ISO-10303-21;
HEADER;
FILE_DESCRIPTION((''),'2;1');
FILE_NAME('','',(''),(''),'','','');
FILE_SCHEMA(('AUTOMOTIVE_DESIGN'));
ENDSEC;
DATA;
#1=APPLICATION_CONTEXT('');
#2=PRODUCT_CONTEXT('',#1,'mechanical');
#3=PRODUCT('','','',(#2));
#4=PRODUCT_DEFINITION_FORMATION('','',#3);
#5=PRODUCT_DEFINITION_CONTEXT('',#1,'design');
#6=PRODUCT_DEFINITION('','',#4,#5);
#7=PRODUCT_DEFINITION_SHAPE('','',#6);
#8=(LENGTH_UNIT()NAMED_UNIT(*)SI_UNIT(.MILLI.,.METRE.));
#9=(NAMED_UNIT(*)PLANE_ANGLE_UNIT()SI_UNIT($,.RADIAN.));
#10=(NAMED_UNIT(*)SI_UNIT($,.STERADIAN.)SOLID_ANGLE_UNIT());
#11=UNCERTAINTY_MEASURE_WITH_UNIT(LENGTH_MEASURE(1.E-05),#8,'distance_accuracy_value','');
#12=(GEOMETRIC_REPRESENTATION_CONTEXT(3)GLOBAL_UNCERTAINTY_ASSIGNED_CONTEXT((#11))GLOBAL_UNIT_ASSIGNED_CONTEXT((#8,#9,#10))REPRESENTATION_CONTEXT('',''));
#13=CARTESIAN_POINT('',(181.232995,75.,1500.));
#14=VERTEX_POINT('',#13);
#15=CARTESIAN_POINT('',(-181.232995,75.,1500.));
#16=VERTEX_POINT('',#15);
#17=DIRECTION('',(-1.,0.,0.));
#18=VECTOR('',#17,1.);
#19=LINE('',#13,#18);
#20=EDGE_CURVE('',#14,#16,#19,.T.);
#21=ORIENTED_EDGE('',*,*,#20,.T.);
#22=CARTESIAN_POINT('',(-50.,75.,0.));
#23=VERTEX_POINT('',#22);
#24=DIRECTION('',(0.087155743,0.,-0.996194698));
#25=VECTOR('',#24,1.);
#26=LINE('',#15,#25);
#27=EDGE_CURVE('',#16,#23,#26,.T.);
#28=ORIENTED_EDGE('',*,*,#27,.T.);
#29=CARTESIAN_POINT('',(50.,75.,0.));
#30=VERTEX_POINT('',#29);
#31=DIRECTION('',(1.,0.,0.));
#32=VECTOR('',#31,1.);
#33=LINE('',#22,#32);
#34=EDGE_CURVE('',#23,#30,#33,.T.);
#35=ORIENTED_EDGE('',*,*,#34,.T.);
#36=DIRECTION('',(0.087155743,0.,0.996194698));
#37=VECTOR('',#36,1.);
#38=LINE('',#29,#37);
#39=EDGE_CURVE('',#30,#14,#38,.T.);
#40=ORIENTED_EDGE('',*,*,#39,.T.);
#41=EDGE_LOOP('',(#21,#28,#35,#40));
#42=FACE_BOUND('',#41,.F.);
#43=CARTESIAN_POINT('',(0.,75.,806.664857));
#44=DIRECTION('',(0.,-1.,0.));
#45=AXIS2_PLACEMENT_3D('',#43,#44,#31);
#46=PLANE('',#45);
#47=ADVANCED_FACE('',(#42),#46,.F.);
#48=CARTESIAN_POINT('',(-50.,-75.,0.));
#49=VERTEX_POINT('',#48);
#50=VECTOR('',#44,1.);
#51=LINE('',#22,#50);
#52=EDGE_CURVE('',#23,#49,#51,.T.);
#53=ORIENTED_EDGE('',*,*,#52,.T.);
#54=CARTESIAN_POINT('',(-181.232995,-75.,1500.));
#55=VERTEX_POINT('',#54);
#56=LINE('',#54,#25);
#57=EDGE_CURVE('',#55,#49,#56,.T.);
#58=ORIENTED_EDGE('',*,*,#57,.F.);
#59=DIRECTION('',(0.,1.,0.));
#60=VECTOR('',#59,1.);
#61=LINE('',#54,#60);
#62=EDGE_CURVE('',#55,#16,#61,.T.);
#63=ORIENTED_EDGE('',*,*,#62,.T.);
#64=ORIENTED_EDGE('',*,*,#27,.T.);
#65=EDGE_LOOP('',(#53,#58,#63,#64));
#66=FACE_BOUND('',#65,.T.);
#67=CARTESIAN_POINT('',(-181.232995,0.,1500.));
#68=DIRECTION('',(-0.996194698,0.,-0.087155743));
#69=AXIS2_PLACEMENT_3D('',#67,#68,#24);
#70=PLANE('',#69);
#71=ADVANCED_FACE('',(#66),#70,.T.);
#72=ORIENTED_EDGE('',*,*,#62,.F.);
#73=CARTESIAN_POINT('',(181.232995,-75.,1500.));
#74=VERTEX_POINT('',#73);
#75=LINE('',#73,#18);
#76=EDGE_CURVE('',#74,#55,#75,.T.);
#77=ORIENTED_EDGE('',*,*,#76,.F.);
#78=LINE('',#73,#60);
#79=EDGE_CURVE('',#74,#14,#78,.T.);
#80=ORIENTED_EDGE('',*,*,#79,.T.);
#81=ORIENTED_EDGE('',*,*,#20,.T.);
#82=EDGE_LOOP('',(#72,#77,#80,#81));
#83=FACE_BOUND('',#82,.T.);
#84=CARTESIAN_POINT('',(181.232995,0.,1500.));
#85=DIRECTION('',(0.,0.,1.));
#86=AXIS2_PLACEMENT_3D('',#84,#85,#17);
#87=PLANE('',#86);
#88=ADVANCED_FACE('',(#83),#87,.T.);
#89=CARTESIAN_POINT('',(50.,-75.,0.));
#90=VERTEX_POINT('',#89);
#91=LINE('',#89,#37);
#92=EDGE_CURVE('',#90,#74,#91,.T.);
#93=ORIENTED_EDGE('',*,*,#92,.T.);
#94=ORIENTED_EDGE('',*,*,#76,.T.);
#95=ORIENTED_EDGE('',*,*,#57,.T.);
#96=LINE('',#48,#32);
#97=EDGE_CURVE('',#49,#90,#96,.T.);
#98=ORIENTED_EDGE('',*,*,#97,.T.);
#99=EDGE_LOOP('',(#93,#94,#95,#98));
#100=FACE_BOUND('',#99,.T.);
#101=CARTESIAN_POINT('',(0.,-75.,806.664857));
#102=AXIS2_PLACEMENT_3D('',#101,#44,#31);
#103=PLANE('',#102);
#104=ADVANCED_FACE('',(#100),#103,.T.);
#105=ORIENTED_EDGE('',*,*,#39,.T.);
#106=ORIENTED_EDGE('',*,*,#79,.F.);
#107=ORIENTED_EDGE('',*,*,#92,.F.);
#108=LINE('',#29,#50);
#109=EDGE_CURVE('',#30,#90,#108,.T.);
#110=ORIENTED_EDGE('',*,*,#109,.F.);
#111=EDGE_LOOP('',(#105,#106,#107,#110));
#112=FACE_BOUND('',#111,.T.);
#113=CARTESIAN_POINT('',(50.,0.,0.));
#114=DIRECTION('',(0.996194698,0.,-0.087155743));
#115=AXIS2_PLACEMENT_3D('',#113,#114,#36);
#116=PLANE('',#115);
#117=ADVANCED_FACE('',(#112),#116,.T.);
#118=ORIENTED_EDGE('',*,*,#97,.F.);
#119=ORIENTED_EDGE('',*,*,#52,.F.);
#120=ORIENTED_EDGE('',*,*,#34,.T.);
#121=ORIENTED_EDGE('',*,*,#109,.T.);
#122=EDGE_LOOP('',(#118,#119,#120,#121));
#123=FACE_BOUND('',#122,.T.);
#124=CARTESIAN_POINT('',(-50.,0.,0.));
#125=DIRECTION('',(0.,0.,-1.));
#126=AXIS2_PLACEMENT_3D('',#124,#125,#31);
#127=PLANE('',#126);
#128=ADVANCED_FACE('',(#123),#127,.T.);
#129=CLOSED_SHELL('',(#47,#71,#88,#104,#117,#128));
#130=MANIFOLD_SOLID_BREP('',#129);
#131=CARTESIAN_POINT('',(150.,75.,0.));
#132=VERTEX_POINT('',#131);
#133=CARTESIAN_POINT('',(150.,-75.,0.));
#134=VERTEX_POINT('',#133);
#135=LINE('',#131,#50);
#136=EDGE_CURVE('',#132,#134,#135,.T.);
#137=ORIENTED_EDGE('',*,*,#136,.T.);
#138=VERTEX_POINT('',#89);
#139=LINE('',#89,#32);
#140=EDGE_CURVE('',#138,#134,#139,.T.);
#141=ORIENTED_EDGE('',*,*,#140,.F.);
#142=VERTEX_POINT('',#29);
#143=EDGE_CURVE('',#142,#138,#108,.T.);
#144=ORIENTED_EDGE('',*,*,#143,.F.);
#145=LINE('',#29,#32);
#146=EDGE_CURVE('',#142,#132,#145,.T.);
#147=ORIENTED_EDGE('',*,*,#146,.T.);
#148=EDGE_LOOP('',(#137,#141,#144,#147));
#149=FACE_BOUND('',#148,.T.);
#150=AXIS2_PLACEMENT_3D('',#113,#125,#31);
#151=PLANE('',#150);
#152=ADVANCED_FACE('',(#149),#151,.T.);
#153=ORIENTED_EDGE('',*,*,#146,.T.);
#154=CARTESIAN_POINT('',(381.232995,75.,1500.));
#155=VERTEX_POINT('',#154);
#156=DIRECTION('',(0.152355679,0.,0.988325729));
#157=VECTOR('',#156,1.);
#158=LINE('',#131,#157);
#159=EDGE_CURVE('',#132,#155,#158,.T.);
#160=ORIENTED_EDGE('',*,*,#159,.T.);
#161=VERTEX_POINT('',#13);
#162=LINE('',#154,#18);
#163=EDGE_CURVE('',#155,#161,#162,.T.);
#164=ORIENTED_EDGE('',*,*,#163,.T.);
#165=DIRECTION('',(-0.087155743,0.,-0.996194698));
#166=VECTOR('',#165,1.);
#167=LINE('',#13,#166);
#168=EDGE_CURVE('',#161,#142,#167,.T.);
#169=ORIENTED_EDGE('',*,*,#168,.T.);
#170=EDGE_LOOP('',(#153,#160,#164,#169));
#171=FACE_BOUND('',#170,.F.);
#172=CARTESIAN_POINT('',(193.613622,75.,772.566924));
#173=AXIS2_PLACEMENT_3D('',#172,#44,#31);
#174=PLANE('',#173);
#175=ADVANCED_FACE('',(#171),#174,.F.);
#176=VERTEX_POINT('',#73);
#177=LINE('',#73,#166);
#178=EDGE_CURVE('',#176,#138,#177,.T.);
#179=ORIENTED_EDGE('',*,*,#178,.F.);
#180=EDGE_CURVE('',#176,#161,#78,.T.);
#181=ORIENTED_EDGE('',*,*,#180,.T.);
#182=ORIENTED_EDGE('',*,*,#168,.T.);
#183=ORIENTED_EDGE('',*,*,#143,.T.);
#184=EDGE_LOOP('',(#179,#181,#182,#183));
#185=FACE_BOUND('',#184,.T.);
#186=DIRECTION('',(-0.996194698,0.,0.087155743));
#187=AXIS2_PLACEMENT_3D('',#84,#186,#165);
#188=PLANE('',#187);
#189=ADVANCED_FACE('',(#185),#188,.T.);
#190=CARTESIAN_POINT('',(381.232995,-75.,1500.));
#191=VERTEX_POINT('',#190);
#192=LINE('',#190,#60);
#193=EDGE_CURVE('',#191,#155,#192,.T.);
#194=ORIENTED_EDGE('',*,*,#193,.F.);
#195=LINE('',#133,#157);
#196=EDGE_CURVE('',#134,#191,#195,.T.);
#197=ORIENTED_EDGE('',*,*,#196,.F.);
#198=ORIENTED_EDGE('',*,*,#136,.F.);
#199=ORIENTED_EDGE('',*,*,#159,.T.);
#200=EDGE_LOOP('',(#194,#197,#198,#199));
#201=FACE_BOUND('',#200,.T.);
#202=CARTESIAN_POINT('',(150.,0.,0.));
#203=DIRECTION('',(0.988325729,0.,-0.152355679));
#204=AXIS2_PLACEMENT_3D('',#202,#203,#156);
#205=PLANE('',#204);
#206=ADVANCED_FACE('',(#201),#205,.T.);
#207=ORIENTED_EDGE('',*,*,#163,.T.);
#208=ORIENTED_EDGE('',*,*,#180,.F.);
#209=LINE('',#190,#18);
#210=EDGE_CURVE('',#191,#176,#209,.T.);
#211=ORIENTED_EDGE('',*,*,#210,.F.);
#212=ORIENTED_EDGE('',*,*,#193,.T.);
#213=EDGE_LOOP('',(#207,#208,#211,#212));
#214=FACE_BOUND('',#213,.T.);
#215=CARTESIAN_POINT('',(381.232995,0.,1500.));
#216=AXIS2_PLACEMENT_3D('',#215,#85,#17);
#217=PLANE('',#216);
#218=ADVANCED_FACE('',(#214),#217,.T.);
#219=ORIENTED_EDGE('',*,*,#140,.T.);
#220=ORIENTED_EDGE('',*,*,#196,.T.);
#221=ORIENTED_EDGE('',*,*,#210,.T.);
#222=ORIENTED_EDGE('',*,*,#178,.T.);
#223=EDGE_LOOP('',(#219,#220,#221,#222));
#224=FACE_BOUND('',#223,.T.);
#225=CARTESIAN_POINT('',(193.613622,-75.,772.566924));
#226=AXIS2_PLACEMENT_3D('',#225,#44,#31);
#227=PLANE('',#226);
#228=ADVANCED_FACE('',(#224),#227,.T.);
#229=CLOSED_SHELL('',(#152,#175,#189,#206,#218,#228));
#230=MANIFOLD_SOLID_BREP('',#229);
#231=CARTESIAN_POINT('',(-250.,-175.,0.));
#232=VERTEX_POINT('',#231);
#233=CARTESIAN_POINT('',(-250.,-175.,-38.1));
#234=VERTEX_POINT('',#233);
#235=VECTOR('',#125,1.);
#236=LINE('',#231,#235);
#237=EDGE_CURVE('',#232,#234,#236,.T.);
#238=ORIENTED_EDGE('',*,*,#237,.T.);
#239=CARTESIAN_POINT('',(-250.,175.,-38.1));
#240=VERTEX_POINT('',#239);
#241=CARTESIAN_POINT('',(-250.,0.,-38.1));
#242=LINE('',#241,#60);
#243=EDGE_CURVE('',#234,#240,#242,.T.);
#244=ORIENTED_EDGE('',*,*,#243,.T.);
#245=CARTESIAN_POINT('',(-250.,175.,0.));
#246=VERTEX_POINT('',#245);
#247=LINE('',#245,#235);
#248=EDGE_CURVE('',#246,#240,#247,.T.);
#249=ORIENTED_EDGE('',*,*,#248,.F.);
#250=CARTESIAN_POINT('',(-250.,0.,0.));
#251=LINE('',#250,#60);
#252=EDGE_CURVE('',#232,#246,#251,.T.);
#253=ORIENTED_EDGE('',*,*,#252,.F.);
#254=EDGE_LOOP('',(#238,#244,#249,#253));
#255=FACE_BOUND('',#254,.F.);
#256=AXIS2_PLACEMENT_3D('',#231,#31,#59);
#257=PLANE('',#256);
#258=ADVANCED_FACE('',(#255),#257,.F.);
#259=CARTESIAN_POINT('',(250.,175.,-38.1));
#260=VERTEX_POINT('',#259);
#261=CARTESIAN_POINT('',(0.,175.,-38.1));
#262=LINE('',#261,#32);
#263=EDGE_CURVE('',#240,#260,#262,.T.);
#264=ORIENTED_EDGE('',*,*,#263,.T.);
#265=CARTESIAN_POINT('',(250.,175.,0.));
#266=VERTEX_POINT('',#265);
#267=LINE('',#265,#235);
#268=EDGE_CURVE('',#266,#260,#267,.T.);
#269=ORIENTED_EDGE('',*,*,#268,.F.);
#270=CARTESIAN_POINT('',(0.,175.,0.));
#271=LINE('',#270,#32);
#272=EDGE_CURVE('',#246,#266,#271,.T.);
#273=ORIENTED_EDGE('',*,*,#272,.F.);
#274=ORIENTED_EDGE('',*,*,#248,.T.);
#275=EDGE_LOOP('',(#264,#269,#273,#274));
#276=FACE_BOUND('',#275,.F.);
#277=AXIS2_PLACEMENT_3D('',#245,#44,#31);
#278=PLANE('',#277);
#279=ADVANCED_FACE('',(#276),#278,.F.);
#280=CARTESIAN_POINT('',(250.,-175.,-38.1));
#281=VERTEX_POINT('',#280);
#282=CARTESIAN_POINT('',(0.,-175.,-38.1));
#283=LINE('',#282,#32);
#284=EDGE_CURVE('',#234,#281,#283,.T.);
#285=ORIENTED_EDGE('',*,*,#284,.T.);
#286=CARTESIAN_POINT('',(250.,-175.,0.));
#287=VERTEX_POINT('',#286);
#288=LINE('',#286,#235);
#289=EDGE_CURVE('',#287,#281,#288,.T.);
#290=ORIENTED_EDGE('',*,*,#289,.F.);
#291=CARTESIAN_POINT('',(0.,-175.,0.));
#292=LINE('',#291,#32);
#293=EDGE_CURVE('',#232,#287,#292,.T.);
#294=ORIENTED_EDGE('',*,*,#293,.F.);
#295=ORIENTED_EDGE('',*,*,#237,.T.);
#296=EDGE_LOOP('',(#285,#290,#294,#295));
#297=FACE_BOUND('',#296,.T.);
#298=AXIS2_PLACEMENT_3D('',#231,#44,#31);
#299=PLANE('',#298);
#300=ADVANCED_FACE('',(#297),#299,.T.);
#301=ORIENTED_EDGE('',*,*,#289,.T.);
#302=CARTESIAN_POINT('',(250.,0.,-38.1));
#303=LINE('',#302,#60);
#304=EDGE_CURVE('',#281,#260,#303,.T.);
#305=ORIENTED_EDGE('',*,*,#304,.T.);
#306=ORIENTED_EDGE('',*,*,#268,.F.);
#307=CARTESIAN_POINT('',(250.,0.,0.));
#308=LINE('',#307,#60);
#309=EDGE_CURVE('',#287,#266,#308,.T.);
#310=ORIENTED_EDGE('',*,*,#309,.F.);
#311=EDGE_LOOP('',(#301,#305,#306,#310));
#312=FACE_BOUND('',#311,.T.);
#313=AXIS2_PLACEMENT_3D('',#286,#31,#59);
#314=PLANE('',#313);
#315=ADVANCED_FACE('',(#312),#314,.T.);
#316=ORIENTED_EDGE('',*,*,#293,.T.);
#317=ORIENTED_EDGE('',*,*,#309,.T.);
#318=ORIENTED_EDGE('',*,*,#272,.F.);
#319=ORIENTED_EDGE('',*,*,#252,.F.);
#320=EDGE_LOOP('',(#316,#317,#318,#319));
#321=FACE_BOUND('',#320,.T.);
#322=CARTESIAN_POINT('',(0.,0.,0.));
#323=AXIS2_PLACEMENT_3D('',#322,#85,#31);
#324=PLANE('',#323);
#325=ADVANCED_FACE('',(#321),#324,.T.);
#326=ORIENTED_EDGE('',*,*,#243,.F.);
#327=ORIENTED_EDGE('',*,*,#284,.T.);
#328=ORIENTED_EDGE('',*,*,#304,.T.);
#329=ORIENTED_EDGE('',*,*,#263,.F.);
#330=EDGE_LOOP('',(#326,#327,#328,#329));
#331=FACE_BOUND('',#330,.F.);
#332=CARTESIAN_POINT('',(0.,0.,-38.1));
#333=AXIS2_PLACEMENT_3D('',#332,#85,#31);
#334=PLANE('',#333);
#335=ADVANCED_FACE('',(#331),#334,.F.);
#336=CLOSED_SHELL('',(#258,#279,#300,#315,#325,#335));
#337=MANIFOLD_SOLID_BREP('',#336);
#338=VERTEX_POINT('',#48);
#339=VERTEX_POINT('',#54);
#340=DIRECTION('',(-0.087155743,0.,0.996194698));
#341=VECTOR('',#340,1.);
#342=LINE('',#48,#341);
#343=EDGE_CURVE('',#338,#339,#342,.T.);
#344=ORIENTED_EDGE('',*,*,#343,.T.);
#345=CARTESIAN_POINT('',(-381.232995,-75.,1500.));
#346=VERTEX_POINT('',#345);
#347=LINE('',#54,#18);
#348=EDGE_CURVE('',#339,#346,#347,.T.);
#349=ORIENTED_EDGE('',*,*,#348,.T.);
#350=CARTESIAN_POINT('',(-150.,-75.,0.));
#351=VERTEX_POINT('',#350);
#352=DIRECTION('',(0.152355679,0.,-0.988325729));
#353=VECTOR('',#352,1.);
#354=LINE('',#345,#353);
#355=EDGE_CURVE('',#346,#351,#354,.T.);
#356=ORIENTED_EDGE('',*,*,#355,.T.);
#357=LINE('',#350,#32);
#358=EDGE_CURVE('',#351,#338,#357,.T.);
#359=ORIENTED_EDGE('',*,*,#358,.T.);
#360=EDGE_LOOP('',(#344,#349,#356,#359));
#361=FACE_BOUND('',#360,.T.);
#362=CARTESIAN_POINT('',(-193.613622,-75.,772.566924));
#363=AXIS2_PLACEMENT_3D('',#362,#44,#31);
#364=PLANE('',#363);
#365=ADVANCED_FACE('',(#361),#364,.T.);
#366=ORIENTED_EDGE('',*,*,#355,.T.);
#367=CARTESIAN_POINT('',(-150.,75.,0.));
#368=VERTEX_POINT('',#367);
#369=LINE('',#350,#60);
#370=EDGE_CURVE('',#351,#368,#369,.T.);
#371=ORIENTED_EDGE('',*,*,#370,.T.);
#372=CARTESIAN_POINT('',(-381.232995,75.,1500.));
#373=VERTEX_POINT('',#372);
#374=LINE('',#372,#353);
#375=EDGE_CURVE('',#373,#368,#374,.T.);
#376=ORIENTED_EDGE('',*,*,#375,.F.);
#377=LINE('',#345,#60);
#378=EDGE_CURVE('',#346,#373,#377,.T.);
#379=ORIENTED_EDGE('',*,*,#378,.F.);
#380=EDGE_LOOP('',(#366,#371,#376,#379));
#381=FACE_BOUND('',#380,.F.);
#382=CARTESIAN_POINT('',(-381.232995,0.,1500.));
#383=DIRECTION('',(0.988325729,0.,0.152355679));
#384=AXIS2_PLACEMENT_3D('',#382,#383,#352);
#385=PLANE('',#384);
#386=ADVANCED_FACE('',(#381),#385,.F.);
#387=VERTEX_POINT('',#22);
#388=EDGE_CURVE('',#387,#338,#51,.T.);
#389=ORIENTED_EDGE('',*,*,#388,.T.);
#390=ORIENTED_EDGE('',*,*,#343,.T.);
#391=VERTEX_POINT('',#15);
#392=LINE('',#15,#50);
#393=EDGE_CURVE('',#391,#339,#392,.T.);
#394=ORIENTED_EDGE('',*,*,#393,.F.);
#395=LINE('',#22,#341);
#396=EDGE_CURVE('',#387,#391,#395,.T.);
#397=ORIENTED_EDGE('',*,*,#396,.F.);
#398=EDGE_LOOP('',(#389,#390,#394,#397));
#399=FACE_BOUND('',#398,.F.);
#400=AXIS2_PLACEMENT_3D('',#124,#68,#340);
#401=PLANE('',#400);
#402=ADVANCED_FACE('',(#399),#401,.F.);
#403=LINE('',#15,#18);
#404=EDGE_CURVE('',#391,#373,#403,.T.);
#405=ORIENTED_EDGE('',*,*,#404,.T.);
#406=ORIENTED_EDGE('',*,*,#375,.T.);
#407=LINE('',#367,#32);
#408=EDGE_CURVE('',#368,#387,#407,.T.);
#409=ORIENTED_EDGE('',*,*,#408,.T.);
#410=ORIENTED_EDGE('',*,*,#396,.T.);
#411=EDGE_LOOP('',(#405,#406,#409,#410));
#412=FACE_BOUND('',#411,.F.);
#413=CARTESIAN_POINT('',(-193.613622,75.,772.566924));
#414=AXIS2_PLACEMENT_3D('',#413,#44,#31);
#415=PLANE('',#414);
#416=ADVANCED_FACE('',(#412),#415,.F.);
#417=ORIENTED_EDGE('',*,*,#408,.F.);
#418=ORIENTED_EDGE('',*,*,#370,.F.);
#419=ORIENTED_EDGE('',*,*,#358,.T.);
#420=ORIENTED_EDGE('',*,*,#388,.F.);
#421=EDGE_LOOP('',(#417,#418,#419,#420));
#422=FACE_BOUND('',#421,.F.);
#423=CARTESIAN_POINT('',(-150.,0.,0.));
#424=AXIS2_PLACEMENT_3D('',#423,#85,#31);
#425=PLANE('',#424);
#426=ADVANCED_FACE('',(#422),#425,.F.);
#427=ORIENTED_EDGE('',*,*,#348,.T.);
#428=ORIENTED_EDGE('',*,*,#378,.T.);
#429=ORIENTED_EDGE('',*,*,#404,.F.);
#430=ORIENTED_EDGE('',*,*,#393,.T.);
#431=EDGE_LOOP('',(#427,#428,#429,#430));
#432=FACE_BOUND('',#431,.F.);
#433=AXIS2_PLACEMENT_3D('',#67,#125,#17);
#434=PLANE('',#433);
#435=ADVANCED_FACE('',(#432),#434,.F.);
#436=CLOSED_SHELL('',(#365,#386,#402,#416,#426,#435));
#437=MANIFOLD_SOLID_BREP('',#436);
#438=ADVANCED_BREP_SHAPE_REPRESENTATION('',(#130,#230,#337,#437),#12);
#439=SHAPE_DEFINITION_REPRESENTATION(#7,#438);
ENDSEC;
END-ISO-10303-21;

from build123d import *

# Parameters (mm, degrees)
F1_DEPTH = 75
F2_DEPTH = 75
F3_W     = 500
F3_H     = 350
F4_DEPTH = 38.1


with BuildPart() as f1:
    # F0 (on Front) → F1 (new body, symmetric)
    with BuildSketch(Plane.XZ):
        Polygon((-150, 0), (-50, 0), (-181.232995, 1500), (-381.232995, 1500), align=None)
        Polygon((181.232995, 1500), (50, 0), (150, 0), (381.232995, 1500), align=None)
    extrude(amount=F1_DEPTH, both=True)


with BuildPart() as f2:
    # F0 (on Front) → F2 (new body, symmetric)
    with BuildSketch(Plane.XZ):
        Polygon((-181.232995, 1500), (-50, 0), (50, 0), (181.232995, 1500), align=None)
    extrude(amount=F2_DEPTH, both=True)


with BuildPart() as f4:
    # F3 (on Top) → F4 (new body)
    with BuildSketch(Plane.XY):
        Rectangle(F3_W, F3_H)
    extrude(amount=-F4_DEPTH)


solid = Compound([f1.part, f2.part, f4.part])
